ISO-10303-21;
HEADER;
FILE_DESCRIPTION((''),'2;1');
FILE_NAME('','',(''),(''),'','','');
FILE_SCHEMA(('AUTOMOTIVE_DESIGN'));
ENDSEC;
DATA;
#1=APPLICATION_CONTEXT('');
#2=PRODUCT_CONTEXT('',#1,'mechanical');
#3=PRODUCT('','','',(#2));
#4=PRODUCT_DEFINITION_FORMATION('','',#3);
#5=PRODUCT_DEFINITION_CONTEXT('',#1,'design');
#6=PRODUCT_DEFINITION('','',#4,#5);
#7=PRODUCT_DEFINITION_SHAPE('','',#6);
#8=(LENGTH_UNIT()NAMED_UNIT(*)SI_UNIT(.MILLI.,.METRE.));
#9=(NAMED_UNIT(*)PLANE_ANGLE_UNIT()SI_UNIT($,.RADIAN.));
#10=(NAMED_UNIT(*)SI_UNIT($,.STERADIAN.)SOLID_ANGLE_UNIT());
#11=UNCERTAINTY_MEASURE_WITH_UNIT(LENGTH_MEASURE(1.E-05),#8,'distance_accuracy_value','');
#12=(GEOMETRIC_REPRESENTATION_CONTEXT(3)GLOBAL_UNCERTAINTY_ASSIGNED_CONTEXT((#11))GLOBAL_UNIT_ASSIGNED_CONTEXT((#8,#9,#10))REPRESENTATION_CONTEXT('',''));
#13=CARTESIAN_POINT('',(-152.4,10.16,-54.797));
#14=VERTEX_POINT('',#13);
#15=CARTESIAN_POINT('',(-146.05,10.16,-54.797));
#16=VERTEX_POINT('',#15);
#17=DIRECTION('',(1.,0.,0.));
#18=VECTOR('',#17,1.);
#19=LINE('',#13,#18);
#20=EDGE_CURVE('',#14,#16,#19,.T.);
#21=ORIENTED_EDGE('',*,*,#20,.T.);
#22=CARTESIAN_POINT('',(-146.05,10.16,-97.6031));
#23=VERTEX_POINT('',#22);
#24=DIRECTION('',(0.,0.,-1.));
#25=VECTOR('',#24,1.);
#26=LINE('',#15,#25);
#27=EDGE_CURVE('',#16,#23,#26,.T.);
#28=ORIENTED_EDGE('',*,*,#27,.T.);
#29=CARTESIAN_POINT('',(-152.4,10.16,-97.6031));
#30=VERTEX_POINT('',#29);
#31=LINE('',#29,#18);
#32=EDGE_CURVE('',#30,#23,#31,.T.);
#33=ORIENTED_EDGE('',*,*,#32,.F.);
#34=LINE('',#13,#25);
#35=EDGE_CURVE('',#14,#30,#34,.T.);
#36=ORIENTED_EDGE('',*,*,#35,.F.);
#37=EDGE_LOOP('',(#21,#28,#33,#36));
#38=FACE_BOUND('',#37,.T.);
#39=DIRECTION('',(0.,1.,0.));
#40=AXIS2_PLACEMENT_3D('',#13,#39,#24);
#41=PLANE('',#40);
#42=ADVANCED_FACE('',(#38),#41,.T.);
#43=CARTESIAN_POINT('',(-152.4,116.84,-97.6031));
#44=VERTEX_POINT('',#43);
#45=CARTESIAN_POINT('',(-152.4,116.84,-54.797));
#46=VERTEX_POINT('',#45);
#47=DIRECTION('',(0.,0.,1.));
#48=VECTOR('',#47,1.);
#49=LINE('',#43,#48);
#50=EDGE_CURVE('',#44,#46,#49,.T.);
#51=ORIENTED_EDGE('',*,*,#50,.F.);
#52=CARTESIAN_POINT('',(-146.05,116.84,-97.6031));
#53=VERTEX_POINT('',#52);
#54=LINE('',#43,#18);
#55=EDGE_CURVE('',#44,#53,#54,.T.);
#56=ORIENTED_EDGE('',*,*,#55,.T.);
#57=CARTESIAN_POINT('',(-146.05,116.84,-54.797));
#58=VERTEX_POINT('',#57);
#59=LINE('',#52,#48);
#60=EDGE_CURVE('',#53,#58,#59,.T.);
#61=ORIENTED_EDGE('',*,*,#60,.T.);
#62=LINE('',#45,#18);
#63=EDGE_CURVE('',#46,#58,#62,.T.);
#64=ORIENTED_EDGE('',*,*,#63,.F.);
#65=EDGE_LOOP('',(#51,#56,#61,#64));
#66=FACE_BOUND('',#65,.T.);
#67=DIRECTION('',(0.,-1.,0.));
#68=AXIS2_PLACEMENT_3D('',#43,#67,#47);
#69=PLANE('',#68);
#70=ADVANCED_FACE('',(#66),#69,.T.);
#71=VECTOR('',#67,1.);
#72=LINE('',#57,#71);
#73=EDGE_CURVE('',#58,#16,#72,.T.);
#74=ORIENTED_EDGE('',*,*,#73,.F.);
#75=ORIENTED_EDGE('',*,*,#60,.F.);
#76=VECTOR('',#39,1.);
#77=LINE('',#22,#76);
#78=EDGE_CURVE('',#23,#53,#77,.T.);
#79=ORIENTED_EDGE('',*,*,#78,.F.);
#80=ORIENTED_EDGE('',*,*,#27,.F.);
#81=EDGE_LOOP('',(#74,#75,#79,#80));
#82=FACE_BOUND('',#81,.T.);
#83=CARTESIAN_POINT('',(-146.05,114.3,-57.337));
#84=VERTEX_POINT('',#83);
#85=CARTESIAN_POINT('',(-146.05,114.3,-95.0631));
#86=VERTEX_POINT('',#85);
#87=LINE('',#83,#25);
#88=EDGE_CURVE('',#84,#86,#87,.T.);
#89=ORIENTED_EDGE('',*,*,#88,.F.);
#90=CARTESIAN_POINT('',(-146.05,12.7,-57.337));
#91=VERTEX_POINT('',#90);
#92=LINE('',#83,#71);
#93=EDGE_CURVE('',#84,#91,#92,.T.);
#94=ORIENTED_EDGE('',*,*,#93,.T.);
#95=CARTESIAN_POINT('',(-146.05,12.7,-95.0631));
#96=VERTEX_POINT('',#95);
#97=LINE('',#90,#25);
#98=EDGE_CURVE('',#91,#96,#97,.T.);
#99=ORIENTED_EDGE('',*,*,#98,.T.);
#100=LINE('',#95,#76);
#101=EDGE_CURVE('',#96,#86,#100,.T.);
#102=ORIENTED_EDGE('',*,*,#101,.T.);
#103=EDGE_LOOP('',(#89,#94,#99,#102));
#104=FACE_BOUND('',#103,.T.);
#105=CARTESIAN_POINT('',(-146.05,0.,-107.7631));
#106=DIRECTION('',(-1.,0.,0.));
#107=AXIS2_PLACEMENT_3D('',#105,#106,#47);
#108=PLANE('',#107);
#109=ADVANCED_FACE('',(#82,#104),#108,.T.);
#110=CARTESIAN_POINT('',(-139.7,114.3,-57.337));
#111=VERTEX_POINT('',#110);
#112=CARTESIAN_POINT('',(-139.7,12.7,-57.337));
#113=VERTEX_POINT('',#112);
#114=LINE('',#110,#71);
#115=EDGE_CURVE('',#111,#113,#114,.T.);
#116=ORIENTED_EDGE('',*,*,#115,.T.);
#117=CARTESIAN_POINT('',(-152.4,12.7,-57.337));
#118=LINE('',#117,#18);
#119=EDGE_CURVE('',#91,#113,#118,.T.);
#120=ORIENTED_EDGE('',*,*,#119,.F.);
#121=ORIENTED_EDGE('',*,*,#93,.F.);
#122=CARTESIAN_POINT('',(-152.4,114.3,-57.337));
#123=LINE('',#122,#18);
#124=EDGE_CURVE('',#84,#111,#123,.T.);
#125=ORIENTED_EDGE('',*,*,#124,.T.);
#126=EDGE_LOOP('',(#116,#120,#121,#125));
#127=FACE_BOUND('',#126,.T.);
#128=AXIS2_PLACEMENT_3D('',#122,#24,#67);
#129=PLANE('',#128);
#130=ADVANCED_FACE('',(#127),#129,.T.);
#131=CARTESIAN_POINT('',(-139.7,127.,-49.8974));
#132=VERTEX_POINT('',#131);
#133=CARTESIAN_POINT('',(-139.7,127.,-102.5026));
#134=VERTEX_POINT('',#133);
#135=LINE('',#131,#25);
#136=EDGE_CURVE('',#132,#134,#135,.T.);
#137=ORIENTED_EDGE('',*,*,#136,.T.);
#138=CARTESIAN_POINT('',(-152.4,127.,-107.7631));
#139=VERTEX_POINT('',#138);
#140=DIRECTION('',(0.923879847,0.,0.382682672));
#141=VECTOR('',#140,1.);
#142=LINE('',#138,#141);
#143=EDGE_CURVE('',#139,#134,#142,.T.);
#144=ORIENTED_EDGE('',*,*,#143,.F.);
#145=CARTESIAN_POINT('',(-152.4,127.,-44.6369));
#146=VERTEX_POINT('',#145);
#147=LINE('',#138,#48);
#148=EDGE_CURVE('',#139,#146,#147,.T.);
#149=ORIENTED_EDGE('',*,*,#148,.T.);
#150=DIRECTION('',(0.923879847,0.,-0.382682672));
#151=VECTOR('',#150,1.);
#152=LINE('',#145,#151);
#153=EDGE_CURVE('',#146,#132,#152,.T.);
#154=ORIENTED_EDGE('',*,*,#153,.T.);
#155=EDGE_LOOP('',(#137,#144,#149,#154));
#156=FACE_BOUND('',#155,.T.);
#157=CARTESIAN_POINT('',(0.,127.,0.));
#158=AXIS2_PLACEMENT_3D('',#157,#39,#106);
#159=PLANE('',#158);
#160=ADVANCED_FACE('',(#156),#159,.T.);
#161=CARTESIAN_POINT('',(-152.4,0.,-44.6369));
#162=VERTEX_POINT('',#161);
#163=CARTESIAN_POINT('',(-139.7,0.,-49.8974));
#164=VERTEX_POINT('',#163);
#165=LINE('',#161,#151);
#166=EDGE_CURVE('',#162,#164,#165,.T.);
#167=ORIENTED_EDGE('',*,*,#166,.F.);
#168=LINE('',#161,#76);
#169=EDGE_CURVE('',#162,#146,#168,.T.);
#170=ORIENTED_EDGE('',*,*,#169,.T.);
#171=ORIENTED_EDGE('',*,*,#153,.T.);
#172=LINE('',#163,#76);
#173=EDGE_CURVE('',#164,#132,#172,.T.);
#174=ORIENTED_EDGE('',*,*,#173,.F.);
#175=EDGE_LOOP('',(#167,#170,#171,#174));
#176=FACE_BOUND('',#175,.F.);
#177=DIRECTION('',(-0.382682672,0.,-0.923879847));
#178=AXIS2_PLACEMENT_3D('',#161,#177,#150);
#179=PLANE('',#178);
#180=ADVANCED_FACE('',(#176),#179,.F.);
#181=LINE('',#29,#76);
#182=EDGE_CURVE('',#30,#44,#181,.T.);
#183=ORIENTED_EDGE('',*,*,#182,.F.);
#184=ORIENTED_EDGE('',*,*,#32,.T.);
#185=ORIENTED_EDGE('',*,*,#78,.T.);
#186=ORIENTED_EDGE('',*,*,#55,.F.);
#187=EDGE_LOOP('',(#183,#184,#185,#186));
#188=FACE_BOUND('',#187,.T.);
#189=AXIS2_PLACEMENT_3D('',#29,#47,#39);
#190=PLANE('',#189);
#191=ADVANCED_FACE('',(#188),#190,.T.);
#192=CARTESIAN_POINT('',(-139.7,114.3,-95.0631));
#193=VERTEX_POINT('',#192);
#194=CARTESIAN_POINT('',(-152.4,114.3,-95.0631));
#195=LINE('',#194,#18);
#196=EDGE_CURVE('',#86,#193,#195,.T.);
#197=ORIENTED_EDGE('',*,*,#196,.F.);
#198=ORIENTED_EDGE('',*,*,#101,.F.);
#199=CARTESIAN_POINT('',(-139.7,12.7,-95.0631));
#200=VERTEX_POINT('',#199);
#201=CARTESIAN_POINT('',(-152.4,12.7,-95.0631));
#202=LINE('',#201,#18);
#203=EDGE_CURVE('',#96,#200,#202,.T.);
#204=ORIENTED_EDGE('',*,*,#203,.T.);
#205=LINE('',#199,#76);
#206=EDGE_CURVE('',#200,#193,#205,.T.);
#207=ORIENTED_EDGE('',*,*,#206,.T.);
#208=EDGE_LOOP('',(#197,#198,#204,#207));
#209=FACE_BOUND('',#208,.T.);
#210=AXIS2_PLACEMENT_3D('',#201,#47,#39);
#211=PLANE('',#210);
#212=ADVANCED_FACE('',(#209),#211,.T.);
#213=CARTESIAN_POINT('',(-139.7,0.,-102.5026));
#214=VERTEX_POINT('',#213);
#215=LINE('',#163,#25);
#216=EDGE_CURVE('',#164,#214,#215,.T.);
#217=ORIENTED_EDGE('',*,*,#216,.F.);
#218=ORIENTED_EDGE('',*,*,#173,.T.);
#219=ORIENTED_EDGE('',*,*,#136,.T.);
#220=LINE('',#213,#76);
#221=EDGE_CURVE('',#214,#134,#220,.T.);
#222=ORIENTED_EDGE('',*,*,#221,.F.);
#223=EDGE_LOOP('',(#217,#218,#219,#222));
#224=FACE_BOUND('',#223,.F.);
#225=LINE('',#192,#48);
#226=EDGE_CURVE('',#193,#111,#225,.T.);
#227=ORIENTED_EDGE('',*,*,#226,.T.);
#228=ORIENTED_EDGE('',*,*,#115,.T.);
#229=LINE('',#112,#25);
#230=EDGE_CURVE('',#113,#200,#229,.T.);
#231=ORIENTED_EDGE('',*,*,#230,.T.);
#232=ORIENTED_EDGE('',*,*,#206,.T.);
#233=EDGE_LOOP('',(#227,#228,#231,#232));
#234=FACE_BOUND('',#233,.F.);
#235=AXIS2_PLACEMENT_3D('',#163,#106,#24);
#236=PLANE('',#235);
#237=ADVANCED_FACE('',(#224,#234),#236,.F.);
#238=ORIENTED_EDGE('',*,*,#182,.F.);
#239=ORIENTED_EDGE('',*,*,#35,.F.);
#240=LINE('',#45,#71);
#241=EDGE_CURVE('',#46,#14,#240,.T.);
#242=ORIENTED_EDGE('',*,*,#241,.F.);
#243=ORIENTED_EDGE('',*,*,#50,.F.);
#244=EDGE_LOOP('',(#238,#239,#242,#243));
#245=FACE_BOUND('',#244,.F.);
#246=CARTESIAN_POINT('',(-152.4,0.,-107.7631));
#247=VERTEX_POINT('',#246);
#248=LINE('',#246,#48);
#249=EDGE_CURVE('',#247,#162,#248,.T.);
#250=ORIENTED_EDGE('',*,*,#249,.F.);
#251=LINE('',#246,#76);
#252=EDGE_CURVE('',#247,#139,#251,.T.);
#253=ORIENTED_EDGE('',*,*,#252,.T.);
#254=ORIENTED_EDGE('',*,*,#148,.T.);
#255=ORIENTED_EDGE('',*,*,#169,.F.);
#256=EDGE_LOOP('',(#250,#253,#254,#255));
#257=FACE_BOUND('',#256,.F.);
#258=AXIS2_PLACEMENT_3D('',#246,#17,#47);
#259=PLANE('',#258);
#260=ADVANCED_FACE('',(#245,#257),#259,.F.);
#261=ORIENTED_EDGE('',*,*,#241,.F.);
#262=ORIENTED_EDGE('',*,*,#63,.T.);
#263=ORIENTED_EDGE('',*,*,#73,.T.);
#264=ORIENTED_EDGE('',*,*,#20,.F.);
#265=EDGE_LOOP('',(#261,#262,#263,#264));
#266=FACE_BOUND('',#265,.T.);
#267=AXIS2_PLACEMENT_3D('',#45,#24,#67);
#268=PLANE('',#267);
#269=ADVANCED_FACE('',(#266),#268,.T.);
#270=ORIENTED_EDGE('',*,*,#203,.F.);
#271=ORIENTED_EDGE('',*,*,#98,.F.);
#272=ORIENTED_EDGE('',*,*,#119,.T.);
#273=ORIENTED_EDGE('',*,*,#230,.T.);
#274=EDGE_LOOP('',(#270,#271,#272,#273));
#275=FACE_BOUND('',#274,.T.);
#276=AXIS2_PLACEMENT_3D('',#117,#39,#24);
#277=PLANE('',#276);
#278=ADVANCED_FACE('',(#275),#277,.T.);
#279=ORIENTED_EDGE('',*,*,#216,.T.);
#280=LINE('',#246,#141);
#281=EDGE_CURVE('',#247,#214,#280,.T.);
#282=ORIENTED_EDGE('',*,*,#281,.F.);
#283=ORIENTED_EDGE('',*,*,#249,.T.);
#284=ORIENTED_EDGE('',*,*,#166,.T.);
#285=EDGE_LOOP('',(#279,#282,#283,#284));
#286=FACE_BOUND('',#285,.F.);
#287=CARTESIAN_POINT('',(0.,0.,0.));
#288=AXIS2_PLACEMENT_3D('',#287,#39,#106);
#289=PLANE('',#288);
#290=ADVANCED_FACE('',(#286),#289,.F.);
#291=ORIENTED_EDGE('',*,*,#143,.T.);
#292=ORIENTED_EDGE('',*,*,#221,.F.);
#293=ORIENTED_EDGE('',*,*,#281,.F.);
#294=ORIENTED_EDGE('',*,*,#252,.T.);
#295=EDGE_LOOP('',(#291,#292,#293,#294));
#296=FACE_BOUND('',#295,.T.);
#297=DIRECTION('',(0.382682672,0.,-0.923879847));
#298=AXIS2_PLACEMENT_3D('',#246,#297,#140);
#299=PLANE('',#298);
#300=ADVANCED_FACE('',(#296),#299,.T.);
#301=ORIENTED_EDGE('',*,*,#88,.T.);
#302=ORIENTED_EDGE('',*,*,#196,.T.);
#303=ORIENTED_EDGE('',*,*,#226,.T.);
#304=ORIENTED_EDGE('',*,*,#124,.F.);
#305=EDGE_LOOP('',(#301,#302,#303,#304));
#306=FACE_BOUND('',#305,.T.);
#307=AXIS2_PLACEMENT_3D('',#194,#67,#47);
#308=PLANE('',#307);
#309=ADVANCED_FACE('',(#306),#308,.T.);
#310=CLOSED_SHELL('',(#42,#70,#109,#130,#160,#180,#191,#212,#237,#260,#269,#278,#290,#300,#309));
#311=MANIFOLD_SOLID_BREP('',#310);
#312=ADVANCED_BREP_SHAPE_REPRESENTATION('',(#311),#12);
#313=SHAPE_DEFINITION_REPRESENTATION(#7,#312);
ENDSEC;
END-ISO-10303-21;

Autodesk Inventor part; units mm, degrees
ref_plane "YZ Plane" through (0, 0, 0) normal (1, 0, 0) x (0, 1, 0)
ref_plane "XZ Plane" through (0, 0, 0) normal (0, 1, 0) x (-1, 0, 0)
ref_plane "XY Plane" through (0, 0, 0) normal (0, 0, 1) x (1, 0, 0)
sketch "Sketch1" plane through (0, 0, 0) normal (0, 1, 0) x (-1, 0, 0)
  line L0 (0, 0) -> (152.4, 0) construction
  line L1 (152.4, 0) -> (152.4, -152.4) construction
  line L2 (152.4, -152.4) -> (0, -152.4) construction
  line L3 (0, -152.4) -> (0, 0) construction
  line L4 (44.6369, -152.4) -> (0, -107.7631) construction
  line L5 (0, -107.7631) -> (0, -44.6369) construction
  line L6 (0, -44.6369) -> (44.6369, 0) construction
  line L7 (44.6369, 0) -> (107.7631, 0) construction
  line L8 (107.7631, 0) -> (152.4, -44.6369) construction
  line L9 (152.4, -44.6369) -> (152.4, -107.7631) construction
  line L10 (152.4, -107.7631) -> (107.7631, -152.4) construction
  line L11 (107.7631, -152.4) -> (44.6369, -152.4) construction
  line L12 (102.5026, -12.7) -> (139.7, -49.8974) construction
  line L13 (139.7, -49.8974) -> (139.7, -102.5026) construction
  line L14 (139.7, -102.5026) -> (102.5026, -139.7) construction
  line L15 (102.5026, -139.7) -> (49.8974, -139.7) construction
  line L16 (49.8974, -139.7) -> (12.7, -102.5026) construction
  line L17 (12.7, -102.5026) -> (12.7, -49.8974) construction
  line L18 (12.7, -49.8974) -> (49.8974, -12.7) construction
  line L19 (49.8974, -12.7) -> (102.5026, -12.7) construction
  line L20 (152.4, -44.6369) -> (139.7, -49.8974)
  line L21 (139.7, -49.8974) -> (139.7, -102.5026)
  line L22 (152.4, -107.7631) -> (139.7, -102.5026)
  line L23 (152.4, -107.7631) -> (152.4, -44.6369)
  point P0 (76.2, -76.2)
  point P1 (76.2, -76.2)
  point P2 (76.2, -76.2)
  dimension "d0" = 152.4
  dimension "d1" = 152.4
  dimension "d2" = 12.7
  dimension "d3" = 63.1262
  dimension "d4" = 52.6051
extrude "Extrusion1" add sketch "Sketch1" along normal blind 127
sketch "Sketch2" plane through (-152.4, 0, -107.7631) normal (-1, 0, 0) x (0, 0, 1)
  line L0 (63.1261, 0) -> (63.1261, 127) projected
  line L1 (0, 127) -> (63.1261, 127) projected
  line L2 (0, 0) -> (0, 127) projected
  line L3 (0, 0) -> (63.1261, 0) projected
  line L4 (12.7, 114.3) -> (50.4261, 114.3)
  line L5 (50.4261, 114.3) -> (50.4261, 12.7)
  line L6 (50.4261, 12.7) -> (12.7, 12.7)
  line L7 (12.7, 12.7) -> (12.7, 114.3)
  point P0 (107.7631, 0)
  point P1 (12.7, 12.7)
  dimension "d7" = 12.7
  dimension "d8" = 12.7
  dimension "d9" = 12.7
  dimension "d10" = 12.7
  dimension "d11" = 12.7
  dimension "d12" = 12.7
  dimension "d13" = 12.7
  dimension "d14" = 12.7
extrude "Extrusion2" cut sketch "Sketch2" against normal up to surface (12.7 mm away) contours L4 L5 L6 L7
sketch "Sketch4" plane through (-152.4, 0, -107.7631) normal (-1, 0, 0) x (0, 0, 1)
  line L0 (0, 127) -> (63.1261, 127) projected
  line L1 (0, 0) -> (0, 127) projected
  line L2 (0, 0) -> (63.1261, 0) projected
  line L3 (63.1261, 0) -> (63.1261, 127) projected
  line L4 (10.16, 116.84) -> (52.9661, 116.84)
  line L5 (52.9661, 116.84) -> (52.9661, 10.16)
  line L6 (52.9661, 10.16) -> (10.16, 10.16)
  line L7 (10.16, 10.16) -> (10.16, 116.84)
  line L8 (50.4261, 114.3) -> (12.7, 114.3) projected
  line L9 (50.4261, 114.3) -> (50.4261, 12.7) projected
  line L10 (12.7, 114.3) -> (50.4261, 114.3)
  line L11 (50.4261, 114.3) -> (50.4261, 12.7)
  line L12 (50.4261, 12.7) -> (12.7, 12.7)
  line L13 (12.7, 12.7) -> (12.7, 114.3)
  point P0 (107.7631, 0)
  dimension "d17" = 10.16
  dimension "d18" = 10.16
  dimension "d19" = 10.16
  dimension "d20" = 10.16
extrude "Extrusion3" cut sketch "Sketch4" against normal blind 6.35 contours L4 L5 L6 L7
equation "\"d9\" = d8"
equation "\"d10\" = d8"
equation "\"d11\" = d9"
equation "\"d12\" = d9"
equation "\"d13\" = d9"
equation "\"d14\" = d9"
properties part number "SatelliteSideWallSensor"
